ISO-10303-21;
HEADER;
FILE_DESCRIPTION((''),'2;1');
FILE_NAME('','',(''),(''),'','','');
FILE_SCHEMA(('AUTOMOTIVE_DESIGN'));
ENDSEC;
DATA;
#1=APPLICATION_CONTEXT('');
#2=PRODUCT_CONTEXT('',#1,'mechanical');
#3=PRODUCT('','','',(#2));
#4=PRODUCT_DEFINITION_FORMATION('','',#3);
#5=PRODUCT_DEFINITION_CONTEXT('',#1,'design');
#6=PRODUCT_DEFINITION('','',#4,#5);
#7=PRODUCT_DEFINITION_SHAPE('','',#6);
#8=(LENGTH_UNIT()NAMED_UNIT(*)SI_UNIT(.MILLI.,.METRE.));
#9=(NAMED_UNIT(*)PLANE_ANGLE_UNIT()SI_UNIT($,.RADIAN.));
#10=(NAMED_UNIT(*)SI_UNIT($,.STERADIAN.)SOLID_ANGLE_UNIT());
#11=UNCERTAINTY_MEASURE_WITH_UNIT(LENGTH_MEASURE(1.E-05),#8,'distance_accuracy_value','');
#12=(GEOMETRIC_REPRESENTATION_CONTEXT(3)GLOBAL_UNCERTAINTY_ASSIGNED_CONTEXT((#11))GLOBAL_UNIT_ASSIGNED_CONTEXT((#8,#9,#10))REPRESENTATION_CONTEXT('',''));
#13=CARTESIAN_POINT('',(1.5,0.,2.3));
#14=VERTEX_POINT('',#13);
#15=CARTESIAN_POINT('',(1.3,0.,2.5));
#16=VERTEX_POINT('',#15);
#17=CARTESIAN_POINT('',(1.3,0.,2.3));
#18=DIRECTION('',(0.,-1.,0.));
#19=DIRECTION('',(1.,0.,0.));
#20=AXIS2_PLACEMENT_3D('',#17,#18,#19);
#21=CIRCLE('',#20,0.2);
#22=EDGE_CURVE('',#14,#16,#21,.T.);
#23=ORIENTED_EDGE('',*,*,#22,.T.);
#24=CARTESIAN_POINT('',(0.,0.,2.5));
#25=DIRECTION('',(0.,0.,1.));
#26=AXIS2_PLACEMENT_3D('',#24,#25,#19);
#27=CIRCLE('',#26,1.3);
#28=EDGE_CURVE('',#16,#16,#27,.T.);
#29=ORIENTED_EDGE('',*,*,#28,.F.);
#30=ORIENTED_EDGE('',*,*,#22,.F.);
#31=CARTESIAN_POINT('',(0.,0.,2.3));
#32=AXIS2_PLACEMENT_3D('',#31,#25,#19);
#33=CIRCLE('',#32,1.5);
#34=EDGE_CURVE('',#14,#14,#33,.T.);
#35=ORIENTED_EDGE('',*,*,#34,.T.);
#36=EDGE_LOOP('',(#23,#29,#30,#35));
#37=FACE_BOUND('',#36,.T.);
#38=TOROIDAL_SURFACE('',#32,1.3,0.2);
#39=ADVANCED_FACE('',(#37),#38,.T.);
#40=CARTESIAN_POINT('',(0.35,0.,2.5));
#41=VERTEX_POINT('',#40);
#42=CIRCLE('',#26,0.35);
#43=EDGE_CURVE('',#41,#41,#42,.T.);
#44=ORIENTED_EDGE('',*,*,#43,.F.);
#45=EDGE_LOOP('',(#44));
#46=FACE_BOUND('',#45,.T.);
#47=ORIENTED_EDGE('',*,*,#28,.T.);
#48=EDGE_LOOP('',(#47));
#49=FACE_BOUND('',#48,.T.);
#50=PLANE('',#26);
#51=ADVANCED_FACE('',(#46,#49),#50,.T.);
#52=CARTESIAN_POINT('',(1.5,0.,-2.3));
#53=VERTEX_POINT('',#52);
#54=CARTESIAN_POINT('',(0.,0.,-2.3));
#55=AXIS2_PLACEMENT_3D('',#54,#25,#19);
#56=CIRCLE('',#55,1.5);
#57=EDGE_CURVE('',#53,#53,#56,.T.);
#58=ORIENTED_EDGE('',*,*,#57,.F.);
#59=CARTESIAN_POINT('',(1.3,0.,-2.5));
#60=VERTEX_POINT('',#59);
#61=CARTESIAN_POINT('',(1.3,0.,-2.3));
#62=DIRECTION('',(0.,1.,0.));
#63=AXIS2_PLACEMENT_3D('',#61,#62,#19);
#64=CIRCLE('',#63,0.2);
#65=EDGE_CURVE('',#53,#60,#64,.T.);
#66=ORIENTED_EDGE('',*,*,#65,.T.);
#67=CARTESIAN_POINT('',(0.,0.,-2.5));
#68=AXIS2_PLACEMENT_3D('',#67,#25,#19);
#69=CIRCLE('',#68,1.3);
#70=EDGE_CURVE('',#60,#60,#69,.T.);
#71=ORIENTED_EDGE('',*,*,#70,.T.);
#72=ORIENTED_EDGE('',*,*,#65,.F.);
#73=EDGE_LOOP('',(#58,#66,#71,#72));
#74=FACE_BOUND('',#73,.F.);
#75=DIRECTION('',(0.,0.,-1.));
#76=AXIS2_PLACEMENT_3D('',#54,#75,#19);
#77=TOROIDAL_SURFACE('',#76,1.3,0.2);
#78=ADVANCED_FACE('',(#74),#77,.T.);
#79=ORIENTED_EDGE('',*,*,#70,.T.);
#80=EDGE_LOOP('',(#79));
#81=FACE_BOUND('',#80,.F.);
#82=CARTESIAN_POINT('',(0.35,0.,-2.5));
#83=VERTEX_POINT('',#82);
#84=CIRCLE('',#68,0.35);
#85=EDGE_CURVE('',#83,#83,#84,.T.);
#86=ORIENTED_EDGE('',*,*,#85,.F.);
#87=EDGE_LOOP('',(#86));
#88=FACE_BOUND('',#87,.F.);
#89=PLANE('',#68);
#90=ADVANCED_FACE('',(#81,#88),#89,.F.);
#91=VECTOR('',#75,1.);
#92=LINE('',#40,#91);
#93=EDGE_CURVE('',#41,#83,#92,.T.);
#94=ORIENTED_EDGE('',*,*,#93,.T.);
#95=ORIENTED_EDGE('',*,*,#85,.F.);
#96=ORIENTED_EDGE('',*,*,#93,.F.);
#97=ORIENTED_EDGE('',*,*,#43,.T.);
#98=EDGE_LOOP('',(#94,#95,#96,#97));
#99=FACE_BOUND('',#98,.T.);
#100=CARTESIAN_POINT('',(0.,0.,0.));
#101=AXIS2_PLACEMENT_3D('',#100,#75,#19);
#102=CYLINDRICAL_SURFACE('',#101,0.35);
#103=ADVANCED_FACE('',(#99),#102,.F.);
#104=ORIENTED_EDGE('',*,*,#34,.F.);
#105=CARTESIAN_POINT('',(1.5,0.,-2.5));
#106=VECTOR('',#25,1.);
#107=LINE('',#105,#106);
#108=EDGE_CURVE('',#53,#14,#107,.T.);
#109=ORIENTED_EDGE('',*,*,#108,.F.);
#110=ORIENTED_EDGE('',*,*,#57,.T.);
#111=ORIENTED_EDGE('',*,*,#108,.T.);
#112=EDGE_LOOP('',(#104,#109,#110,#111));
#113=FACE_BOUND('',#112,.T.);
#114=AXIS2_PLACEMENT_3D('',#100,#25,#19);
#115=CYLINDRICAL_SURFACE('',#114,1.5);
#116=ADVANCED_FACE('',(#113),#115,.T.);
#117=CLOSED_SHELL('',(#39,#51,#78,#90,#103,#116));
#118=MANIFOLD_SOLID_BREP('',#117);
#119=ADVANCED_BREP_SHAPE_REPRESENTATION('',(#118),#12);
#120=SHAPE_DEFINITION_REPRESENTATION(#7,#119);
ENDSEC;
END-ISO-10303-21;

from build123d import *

# Parameters (mm, degrees)
SKETCH1_R           = 1.5
SKETCH1_R_2         = 0.35
BOSS_EXTRUDE1_DEPTH = 2.5
FILLET1_R           = 0.2
FILLET2_R           = 0.2


with BuildPart() as part:
    # Sketch1 → Boss-Extrude1 (new, symmetric)
    with BuildSketch(Plane.XY):
        Circle(SKETCH1_R)
        Circle(SKETCH1_R_2, mode=Mode.SUBTRACT)
    extrude(amount=BOSS_EXTRUDE1_DEPTH, both=True)

    # Fillet1
    fillet1_edges = [part.edges().sort_by_distance(p)[0] for p in [
        (-1.5, 0, 2.5),
    ]]
    fillet(fillet1_edges, radius=FILLET1_R)

    # Fillet2
    fillet2_edges = [part.edges().sort_by_distance(p)[0] for p in [
        (-1.5, 0, -2.5),
    ]]
    fillet(fillet2_edges, radius=FILLET2_R)


solid = part.part
